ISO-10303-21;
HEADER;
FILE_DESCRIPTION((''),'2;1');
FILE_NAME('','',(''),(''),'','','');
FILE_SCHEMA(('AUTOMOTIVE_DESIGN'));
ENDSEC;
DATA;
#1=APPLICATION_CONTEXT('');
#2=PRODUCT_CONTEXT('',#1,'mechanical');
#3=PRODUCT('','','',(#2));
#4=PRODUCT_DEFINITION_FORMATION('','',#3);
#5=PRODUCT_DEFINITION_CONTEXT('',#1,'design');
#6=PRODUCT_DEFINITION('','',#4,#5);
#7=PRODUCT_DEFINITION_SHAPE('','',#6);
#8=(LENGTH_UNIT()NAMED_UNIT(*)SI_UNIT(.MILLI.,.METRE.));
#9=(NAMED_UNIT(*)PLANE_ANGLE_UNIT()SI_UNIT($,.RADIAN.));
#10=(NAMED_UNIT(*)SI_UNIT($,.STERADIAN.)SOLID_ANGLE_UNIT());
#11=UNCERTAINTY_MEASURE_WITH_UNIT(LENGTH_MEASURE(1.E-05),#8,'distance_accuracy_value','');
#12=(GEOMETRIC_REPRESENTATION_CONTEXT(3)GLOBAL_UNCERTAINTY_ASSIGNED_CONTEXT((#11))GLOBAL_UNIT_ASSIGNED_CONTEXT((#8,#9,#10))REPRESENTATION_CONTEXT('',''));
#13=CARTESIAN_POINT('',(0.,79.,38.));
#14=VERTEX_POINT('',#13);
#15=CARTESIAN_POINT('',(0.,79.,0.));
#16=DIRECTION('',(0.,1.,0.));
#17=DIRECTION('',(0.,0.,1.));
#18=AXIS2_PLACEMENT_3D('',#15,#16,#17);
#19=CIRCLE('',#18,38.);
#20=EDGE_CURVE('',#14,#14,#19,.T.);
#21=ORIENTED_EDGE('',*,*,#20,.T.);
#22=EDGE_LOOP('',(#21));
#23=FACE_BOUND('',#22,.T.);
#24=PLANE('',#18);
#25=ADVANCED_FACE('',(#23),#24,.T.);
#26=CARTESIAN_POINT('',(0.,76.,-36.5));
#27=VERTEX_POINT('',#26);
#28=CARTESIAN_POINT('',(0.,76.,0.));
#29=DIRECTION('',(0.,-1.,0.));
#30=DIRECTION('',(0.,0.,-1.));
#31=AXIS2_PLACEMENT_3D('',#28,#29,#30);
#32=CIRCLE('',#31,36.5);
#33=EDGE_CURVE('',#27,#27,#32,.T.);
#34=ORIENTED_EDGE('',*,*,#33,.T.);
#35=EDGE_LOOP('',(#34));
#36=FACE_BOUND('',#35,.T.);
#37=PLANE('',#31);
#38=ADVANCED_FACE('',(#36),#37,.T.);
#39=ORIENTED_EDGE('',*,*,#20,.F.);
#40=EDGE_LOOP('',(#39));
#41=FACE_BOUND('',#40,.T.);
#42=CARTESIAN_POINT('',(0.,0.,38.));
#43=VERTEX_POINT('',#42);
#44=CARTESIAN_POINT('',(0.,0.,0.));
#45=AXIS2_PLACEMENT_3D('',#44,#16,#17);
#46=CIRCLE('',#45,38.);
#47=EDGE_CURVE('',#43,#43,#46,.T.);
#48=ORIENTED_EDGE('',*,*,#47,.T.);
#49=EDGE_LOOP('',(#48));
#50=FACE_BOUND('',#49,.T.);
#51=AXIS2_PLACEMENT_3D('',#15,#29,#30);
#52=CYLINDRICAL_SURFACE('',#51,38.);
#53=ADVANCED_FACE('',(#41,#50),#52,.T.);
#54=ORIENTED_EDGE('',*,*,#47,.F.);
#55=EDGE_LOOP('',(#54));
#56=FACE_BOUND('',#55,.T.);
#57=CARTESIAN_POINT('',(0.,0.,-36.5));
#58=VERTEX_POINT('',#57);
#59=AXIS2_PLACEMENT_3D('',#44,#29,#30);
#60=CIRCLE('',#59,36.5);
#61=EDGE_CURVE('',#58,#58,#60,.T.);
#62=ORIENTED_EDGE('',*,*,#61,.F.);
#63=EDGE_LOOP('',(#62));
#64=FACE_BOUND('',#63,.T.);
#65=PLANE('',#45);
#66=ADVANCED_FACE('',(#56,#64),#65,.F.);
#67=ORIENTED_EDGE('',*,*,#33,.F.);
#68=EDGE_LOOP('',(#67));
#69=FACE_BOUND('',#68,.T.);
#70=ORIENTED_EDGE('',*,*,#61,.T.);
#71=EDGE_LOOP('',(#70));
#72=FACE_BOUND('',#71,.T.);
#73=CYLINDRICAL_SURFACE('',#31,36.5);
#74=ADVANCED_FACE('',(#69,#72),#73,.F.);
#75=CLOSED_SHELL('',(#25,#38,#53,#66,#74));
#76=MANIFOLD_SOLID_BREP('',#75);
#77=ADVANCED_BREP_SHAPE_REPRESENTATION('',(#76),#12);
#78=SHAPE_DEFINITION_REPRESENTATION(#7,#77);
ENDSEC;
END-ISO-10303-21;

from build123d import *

# Parameters (mm, degrees)
SKETCH1_R           = 38
BOSS_EXTRUDE1_DEPTH = 79
SKETCH9_R           = 36.5
CUT_EXTRUDE1_DEPTH  = 76


with BuildPart() as part:
    # Sketch1 → Boss-Extrude1 (new body)
    with BuildSketch(Plane(origin=(0, 0, 0), x_dir=(1, 0, 0), z_dir=(0, 1, 0))):
        Circle(SKETCH1_R)
    extrude(amount=BOSS_EXTRUDE1_DEPTH)

    # Sketch9 → Cut-Extrude1 (cut)
    with BuildSketch(Plane.XZ):
        Circle(SKETCH9_R)
    extrude(amount=-CUT_EXTRUDE1_DEPTH, mode=Mode.SUBTRACT)


solid = part.part
